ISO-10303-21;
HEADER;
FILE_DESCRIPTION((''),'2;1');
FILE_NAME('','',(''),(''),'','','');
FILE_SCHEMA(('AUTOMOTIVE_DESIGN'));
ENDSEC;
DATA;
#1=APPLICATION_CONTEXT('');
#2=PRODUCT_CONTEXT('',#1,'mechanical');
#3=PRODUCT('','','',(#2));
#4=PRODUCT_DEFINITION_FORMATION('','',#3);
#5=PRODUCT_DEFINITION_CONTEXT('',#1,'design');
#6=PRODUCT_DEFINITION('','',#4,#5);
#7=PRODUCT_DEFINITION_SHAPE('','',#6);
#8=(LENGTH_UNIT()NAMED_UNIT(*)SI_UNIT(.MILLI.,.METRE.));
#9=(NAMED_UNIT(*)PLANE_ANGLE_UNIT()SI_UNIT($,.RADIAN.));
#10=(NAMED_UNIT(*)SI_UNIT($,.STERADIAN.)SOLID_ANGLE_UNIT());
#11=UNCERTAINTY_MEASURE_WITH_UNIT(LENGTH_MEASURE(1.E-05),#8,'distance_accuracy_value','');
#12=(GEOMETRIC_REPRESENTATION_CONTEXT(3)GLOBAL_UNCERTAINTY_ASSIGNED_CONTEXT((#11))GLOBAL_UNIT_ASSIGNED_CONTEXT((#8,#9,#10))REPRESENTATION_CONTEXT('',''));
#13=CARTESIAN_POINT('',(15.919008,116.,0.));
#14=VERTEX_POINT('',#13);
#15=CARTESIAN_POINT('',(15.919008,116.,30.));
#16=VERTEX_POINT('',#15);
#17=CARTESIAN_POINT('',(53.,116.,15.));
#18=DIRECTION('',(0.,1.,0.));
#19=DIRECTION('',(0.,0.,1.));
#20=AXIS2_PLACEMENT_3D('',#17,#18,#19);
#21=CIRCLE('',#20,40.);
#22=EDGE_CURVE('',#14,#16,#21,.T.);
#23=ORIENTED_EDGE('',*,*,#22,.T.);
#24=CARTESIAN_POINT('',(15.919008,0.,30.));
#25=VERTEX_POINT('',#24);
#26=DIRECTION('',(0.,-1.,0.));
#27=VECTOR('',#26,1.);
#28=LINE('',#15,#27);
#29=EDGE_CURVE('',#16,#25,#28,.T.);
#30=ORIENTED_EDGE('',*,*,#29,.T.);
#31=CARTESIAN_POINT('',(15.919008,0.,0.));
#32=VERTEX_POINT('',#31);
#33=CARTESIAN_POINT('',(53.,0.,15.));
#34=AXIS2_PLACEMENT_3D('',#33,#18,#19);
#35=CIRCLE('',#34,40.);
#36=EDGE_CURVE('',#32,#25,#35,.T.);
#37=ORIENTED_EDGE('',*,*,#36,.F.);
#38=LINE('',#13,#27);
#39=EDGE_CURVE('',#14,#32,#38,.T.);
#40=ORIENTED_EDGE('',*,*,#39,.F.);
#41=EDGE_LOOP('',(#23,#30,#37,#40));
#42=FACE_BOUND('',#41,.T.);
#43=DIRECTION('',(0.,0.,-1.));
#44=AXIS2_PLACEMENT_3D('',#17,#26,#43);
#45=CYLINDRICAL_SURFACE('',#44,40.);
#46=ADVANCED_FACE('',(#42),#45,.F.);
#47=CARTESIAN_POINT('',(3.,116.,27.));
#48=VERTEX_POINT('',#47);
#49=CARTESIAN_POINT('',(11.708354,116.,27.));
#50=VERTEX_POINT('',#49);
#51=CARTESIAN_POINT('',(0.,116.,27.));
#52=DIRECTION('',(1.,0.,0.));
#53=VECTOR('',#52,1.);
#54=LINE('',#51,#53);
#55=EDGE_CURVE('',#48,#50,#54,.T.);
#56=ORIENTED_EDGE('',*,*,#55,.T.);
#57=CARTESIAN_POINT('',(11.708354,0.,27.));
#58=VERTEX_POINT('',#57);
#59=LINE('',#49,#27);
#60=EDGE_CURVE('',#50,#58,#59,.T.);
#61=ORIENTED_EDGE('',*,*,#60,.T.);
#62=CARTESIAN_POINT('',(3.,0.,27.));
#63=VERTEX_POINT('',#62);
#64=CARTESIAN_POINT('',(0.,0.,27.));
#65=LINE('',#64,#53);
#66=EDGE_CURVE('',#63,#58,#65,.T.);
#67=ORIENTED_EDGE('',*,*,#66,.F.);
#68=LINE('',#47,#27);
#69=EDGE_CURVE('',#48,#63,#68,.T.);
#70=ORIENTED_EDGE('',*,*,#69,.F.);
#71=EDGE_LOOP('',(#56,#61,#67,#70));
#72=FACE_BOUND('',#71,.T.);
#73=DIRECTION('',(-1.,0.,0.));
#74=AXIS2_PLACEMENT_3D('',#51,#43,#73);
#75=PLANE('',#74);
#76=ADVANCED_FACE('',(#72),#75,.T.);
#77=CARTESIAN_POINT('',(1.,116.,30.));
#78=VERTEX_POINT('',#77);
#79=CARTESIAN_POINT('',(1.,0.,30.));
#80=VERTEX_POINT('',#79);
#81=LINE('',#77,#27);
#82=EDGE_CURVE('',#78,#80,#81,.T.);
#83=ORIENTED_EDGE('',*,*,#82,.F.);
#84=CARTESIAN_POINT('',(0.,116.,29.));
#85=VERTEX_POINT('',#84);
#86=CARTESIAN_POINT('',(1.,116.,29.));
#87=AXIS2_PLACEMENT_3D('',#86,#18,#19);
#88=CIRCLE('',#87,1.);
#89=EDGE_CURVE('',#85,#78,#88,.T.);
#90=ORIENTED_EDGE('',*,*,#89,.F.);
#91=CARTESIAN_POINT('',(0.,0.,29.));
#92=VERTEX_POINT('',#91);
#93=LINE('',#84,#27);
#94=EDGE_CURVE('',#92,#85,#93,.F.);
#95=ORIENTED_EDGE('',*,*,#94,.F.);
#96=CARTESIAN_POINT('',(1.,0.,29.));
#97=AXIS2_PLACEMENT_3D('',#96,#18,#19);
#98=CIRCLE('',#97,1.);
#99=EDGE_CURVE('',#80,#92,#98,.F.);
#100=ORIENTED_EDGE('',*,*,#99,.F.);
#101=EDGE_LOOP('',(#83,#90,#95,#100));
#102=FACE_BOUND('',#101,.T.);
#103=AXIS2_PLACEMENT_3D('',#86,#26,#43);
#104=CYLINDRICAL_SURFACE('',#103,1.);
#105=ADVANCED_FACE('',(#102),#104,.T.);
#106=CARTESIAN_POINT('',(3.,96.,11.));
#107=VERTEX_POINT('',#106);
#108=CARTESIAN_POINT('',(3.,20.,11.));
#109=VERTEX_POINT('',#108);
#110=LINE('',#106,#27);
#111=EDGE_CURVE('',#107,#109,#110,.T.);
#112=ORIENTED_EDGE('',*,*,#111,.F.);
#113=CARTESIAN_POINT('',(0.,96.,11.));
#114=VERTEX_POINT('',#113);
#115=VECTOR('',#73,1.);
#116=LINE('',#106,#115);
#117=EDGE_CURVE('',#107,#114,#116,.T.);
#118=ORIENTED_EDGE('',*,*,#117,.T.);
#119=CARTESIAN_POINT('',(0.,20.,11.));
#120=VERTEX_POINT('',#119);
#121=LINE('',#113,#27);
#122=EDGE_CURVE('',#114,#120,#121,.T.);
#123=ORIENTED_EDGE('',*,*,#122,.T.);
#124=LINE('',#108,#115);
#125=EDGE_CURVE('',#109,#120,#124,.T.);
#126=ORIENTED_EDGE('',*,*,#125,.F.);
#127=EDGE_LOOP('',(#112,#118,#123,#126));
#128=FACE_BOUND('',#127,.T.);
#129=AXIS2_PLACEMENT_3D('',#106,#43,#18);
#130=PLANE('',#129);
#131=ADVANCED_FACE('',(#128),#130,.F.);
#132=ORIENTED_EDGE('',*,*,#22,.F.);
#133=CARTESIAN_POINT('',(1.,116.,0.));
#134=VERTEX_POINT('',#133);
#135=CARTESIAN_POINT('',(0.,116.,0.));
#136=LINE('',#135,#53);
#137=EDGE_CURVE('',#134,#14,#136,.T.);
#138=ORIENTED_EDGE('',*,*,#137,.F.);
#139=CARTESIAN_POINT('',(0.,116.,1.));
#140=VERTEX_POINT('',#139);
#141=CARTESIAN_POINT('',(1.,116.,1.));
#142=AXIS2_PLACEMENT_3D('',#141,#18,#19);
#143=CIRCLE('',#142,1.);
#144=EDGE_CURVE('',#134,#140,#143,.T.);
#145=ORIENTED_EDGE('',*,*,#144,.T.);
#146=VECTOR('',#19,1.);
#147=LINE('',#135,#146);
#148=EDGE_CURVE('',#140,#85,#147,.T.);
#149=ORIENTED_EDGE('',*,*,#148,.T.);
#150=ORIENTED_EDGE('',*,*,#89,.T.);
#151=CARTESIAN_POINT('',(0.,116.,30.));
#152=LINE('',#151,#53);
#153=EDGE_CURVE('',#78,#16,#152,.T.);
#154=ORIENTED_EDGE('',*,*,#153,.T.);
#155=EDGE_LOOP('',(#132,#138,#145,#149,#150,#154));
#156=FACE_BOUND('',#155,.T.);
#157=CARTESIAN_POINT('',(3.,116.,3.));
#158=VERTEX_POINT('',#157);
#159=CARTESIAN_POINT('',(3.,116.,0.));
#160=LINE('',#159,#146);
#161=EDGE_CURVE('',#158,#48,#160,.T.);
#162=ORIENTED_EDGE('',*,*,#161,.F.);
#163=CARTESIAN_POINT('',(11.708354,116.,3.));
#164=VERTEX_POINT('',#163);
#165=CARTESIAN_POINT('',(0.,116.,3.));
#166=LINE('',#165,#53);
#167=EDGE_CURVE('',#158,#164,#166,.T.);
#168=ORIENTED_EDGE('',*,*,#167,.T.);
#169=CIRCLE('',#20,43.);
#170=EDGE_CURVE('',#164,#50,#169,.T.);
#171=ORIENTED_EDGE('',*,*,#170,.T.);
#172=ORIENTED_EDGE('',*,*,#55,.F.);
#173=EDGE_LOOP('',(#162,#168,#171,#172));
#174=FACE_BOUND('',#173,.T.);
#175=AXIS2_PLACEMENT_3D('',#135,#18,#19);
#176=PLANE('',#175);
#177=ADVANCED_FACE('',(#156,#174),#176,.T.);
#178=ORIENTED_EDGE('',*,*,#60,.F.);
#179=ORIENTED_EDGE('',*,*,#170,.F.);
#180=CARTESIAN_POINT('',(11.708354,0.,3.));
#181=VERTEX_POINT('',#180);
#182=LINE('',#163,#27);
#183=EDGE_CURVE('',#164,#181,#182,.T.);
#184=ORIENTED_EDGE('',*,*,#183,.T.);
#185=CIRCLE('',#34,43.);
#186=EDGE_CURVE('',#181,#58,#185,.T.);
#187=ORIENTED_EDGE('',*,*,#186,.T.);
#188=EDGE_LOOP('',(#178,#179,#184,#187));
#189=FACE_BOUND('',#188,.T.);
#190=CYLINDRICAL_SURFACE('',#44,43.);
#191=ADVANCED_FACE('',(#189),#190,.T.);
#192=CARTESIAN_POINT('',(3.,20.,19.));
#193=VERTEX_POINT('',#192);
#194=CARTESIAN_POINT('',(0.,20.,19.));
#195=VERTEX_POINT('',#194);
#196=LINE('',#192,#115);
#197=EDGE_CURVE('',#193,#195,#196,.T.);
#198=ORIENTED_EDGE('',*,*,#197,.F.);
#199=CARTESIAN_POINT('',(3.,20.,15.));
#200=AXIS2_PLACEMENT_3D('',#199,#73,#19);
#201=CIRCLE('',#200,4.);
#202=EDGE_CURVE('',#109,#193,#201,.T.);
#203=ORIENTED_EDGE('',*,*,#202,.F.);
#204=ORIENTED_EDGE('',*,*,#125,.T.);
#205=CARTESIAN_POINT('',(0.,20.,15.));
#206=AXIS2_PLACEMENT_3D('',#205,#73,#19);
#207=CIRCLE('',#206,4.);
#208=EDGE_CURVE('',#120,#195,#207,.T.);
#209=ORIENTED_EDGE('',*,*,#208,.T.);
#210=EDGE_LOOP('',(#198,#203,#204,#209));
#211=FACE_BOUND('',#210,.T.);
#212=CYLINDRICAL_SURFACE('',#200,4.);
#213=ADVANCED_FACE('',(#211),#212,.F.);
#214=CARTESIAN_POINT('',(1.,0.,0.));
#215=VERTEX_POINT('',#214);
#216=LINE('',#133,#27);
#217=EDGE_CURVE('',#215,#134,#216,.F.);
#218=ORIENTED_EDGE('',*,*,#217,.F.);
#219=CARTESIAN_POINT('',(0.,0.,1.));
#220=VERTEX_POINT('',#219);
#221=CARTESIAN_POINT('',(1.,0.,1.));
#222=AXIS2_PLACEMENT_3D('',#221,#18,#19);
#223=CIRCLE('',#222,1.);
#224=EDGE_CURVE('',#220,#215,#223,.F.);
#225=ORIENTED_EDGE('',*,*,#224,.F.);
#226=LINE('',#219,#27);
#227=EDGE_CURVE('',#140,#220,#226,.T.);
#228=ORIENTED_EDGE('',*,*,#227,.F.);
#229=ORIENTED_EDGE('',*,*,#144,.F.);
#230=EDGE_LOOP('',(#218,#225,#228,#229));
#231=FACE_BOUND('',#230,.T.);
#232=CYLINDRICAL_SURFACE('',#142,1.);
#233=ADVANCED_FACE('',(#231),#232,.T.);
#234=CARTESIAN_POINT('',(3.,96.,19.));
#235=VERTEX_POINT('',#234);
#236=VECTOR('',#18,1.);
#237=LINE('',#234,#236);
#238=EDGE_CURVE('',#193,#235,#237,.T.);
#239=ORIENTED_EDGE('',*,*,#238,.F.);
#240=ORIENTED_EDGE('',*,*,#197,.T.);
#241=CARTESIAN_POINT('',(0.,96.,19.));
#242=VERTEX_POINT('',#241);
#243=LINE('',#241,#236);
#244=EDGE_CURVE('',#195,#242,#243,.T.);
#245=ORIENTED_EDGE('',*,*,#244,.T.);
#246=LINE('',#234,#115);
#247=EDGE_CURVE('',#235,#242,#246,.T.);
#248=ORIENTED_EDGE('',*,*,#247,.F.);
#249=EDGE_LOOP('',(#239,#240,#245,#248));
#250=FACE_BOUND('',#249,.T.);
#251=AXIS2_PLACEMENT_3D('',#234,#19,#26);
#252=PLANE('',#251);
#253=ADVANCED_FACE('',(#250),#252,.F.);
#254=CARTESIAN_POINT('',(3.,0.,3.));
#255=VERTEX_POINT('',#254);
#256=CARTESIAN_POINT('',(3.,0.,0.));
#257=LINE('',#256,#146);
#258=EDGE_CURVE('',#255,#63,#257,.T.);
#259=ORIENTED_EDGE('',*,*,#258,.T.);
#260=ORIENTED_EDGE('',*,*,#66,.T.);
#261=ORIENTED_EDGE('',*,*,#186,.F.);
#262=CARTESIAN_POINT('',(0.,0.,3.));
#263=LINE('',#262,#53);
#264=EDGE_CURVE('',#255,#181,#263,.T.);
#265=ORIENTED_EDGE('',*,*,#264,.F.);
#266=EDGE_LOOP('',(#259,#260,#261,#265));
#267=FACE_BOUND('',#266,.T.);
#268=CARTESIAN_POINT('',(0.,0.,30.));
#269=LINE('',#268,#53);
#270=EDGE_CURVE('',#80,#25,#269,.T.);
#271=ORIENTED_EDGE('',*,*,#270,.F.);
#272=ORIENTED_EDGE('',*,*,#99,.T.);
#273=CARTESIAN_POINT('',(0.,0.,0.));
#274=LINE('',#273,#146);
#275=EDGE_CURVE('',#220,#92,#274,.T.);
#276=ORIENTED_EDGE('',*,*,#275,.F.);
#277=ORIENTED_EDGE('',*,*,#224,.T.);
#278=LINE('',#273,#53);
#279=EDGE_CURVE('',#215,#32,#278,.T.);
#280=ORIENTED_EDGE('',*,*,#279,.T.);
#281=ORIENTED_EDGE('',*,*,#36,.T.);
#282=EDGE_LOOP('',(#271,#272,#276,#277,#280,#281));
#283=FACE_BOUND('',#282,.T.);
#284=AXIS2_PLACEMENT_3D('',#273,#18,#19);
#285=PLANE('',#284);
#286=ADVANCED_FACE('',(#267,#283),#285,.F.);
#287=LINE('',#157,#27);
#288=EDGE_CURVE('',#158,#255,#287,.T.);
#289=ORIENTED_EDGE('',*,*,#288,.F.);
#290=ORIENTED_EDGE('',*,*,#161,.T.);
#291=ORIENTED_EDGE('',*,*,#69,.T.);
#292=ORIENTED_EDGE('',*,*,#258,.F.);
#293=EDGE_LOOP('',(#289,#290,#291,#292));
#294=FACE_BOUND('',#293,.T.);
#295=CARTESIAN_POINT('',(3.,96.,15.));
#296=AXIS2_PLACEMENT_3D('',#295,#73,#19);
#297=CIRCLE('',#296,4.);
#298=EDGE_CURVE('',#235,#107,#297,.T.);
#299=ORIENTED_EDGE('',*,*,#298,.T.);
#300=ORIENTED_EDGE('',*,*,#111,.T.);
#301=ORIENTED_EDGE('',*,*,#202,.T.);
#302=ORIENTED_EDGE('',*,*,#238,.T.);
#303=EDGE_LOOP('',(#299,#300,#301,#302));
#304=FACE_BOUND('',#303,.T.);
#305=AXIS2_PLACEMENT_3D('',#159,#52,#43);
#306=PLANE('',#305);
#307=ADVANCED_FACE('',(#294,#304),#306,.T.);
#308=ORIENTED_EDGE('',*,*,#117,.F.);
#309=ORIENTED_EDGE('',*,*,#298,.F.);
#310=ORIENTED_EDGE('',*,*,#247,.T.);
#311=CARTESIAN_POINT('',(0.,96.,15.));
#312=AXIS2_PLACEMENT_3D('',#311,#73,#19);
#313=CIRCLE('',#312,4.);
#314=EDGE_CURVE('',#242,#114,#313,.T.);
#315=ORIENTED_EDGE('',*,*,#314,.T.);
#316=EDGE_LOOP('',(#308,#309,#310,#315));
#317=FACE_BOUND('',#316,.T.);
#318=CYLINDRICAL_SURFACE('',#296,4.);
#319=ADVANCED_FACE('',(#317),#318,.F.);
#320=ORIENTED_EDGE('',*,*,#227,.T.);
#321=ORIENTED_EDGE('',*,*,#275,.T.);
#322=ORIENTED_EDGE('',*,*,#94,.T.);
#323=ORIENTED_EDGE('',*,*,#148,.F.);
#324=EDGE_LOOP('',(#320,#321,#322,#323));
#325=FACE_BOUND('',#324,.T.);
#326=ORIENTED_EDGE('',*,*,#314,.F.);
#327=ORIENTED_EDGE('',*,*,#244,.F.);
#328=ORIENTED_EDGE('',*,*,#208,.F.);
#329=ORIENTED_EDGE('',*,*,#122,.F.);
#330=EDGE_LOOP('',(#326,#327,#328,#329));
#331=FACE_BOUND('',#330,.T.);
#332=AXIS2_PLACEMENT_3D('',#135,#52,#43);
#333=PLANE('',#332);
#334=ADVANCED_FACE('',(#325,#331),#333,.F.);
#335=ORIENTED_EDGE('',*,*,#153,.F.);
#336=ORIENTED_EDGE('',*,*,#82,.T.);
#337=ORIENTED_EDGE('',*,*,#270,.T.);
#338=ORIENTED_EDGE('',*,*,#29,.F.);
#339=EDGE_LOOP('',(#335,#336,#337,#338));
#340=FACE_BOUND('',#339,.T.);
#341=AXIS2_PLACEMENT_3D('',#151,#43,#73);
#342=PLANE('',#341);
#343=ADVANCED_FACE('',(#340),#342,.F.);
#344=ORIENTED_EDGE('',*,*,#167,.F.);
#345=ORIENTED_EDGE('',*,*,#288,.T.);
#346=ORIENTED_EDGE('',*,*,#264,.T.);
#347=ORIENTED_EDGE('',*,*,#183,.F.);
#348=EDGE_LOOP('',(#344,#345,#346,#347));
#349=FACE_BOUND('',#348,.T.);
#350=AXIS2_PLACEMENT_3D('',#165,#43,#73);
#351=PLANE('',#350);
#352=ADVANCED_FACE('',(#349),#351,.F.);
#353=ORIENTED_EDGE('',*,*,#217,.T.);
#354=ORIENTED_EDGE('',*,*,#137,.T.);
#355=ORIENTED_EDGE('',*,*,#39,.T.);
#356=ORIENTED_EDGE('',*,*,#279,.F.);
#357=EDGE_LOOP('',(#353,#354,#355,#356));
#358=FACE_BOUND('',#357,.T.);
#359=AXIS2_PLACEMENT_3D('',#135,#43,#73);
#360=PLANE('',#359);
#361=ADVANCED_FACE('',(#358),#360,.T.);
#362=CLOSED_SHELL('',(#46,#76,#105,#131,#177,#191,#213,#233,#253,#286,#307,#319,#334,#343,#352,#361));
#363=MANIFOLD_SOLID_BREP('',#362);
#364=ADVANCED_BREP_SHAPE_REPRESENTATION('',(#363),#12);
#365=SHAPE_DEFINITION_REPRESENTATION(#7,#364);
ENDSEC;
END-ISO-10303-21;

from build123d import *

# Parameters (mm, degrees)
BOSS_EXTRUDE1_DEPTH = 116
SHELL1_T            = -3
FILLET1_R           = 1
CUT_EXTRUDE1_DEPTH  = 3


with BuildPart() as part:
    # Sketch1 → Boss-Extrude1 (new body)
    with BuildSketch(Plane(origin=(0, 0, 0), x_dir=(1, 0, 0), z_dir=(0, 1, 0))):
        with BuildLine():
            ThreePointArc((15.919007565, 0), (13, -15), (15.919007565, -30))
            Line((15.919007565, -30), (0, -30))
            Line((0, -30), (0, 0))
            Line((0, 0), (15.919007565, 0))
        make_face()
    extrude(amount=BOSS_EXTRUDE1_DEPTH)

    # Shell1
    shell1_openings = [part.faces().sort_by_distance(p)[0] for p in [
        (7.006000275, 116, 15),
        (7.006000275, 0, 15),
    ]]
    offset(amount=SHELL1_T, openings=shell1_openings, kind=Kind.INTERSECTION)

    # Fillet1
    fillet1_edges = [part.edges().sort_by_distance(p)[0] for p in [
        (0, 58, 30),
        (0, 58, 0),
    ]]
    fillet(fillet1_edges, radius=FILLET1_R)

    # Sketch2 → Cut-Extrude1 (cut)
    with BuildSketch(Plane.ZY):
        with BuildLine():
            Line((19, 96), (19, 20))
            ThreePointArc((19, 20), (15, 16), (11, 20))
            Line((11, 20), (11, 96))
            ThreePointArc((11, 96), (15, 100), (19, 96))
        make_face()
    extrude(amount=-CUT_EXTRUDE1_DEPTH, mode=Mode.SUBTRACT)


solid = part.part
